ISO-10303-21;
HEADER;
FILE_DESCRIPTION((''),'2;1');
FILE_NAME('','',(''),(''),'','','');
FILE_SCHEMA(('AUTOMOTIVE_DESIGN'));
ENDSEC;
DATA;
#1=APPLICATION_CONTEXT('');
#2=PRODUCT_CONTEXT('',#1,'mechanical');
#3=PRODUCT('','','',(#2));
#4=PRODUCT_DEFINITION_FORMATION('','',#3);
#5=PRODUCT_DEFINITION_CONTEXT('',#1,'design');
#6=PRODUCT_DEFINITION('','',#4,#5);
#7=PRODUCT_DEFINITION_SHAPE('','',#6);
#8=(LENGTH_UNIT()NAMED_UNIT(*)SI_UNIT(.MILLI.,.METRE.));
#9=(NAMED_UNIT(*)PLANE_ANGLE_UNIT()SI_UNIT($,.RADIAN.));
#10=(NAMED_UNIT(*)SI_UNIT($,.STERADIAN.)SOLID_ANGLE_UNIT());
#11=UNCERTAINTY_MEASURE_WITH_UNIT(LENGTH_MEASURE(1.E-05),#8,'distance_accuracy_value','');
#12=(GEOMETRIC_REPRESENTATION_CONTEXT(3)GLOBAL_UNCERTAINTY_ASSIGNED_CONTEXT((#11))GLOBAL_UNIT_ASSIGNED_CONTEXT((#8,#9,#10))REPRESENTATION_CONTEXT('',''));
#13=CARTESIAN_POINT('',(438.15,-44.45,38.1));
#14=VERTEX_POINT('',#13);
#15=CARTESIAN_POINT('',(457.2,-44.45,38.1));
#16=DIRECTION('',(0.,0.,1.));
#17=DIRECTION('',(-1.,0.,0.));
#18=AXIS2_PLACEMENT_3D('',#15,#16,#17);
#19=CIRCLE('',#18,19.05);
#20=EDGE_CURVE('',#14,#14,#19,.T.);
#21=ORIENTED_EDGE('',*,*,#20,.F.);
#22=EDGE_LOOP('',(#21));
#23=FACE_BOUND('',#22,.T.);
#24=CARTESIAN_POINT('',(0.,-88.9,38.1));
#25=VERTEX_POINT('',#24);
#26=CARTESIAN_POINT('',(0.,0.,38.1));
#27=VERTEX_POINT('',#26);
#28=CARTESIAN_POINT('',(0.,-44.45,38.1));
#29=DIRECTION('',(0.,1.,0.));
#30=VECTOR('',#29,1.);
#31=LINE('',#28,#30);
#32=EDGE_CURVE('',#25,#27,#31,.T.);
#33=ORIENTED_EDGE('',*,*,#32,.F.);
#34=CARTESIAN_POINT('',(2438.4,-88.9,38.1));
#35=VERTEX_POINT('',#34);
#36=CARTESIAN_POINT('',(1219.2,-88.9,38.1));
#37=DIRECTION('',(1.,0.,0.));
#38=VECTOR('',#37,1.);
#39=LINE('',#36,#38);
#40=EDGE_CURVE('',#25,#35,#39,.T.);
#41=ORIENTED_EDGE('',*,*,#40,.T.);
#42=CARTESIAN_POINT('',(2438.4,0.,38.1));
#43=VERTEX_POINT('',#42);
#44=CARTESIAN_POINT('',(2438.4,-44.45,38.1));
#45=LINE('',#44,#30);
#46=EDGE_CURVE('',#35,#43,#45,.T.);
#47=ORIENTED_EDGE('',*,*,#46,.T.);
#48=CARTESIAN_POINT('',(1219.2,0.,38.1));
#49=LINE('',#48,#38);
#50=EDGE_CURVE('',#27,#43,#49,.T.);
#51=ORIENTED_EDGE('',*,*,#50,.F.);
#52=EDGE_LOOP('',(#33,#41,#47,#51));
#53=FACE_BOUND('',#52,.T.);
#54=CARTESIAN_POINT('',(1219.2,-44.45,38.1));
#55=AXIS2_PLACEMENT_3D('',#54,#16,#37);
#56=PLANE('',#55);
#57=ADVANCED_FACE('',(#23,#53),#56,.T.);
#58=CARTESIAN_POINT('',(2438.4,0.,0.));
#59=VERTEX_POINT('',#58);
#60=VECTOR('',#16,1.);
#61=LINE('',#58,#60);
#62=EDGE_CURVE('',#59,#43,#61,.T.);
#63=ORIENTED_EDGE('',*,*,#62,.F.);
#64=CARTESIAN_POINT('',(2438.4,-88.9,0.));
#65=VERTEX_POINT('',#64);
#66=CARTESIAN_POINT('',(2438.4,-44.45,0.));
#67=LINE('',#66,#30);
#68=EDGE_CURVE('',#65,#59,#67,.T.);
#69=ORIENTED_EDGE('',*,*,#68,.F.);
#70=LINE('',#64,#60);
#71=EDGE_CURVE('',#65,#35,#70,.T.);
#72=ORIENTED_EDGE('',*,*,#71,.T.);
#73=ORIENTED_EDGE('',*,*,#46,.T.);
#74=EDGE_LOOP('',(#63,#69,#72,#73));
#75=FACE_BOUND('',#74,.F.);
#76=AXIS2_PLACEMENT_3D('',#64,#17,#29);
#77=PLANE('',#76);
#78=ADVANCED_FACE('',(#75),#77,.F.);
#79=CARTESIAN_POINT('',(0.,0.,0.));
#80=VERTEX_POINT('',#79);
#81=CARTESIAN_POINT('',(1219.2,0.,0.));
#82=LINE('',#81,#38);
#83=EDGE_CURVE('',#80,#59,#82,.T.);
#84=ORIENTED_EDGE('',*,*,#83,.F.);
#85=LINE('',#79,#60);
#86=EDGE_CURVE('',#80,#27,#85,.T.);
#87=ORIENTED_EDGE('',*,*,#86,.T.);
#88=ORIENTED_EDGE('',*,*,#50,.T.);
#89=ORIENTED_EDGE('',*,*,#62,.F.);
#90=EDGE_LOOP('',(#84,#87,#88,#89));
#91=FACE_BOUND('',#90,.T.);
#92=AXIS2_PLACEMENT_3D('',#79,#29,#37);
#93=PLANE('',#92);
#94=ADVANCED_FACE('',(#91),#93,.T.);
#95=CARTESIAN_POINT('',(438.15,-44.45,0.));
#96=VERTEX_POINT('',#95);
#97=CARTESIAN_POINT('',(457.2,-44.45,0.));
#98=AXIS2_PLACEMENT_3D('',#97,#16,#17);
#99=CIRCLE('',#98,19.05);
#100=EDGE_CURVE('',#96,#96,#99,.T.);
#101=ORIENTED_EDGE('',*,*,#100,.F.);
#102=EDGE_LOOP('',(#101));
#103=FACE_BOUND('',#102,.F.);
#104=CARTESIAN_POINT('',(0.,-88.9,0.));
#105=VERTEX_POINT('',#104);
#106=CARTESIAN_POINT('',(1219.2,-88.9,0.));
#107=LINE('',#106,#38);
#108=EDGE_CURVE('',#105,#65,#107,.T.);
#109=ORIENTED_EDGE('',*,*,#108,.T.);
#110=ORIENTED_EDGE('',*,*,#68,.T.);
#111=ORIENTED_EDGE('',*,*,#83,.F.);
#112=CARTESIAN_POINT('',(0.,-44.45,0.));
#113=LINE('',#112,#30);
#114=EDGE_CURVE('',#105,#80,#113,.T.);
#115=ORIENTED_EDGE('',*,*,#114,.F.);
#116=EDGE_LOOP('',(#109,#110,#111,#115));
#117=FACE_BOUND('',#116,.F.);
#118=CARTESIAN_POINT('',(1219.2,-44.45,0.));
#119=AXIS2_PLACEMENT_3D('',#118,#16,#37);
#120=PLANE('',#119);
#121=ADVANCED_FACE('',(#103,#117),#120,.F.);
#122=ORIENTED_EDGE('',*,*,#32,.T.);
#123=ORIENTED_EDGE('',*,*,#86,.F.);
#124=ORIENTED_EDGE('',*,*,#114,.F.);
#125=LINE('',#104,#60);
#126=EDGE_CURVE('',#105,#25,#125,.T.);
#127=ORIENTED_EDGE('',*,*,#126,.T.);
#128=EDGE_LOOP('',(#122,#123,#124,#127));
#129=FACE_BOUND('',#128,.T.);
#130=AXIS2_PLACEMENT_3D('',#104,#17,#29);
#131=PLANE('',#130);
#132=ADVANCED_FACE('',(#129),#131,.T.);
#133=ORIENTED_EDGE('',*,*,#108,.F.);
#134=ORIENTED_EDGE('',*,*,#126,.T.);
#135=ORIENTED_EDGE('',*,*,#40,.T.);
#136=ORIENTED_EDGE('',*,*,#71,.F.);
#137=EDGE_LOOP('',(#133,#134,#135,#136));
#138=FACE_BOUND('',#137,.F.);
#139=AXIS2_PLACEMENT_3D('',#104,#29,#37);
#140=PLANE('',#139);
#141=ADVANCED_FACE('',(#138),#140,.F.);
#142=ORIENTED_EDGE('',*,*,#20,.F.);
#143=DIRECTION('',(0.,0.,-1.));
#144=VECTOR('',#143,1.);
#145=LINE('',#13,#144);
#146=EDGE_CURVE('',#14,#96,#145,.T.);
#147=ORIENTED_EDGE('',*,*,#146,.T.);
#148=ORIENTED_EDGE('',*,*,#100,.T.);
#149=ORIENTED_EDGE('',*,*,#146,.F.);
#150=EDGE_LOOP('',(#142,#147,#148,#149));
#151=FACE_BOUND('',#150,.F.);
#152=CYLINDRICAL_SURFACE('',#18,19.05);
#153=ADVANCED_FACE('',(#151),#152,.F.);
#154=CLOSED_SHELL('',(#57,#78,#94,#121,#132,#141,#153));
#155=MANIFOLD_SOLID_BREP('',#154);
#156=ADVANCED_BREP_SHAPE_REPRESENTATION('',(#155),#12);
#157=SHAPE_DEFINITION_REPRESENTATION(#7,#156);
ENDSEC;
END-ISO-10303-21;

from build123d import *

# Parameters (mm, degrees)
F0_W     = 2438.4
F0_H     = 88.9
F1_DEPTH = 38.1
F3_DEPTH = 38.1


with BuildPart() as f1:
    # F0 (on Top) → F1 (new body)
    with BuildSketch(Plane.XY):
        with Locations((1219.2, -44.45)):
            Rectangle(F0_W, F0_H)
    extrude(amount=F1_DEPTH)

    # F2 (on face) → F3 (cut)
    with BuildSketch(Plane.XY.offset(38.1)):
        with BuildLine():
            ThreePointArc((476.25, -44.45), (457.2, -25.4), (438.15, -44.45))
            ThreePointArc((438.15, -44.45), (457.2, -63.5), (476.25, -44.45))
        make_face()
    extrude(amount=-F3_DEPTH, mode=Mode.SUBTRACT)


solid = f1.part
